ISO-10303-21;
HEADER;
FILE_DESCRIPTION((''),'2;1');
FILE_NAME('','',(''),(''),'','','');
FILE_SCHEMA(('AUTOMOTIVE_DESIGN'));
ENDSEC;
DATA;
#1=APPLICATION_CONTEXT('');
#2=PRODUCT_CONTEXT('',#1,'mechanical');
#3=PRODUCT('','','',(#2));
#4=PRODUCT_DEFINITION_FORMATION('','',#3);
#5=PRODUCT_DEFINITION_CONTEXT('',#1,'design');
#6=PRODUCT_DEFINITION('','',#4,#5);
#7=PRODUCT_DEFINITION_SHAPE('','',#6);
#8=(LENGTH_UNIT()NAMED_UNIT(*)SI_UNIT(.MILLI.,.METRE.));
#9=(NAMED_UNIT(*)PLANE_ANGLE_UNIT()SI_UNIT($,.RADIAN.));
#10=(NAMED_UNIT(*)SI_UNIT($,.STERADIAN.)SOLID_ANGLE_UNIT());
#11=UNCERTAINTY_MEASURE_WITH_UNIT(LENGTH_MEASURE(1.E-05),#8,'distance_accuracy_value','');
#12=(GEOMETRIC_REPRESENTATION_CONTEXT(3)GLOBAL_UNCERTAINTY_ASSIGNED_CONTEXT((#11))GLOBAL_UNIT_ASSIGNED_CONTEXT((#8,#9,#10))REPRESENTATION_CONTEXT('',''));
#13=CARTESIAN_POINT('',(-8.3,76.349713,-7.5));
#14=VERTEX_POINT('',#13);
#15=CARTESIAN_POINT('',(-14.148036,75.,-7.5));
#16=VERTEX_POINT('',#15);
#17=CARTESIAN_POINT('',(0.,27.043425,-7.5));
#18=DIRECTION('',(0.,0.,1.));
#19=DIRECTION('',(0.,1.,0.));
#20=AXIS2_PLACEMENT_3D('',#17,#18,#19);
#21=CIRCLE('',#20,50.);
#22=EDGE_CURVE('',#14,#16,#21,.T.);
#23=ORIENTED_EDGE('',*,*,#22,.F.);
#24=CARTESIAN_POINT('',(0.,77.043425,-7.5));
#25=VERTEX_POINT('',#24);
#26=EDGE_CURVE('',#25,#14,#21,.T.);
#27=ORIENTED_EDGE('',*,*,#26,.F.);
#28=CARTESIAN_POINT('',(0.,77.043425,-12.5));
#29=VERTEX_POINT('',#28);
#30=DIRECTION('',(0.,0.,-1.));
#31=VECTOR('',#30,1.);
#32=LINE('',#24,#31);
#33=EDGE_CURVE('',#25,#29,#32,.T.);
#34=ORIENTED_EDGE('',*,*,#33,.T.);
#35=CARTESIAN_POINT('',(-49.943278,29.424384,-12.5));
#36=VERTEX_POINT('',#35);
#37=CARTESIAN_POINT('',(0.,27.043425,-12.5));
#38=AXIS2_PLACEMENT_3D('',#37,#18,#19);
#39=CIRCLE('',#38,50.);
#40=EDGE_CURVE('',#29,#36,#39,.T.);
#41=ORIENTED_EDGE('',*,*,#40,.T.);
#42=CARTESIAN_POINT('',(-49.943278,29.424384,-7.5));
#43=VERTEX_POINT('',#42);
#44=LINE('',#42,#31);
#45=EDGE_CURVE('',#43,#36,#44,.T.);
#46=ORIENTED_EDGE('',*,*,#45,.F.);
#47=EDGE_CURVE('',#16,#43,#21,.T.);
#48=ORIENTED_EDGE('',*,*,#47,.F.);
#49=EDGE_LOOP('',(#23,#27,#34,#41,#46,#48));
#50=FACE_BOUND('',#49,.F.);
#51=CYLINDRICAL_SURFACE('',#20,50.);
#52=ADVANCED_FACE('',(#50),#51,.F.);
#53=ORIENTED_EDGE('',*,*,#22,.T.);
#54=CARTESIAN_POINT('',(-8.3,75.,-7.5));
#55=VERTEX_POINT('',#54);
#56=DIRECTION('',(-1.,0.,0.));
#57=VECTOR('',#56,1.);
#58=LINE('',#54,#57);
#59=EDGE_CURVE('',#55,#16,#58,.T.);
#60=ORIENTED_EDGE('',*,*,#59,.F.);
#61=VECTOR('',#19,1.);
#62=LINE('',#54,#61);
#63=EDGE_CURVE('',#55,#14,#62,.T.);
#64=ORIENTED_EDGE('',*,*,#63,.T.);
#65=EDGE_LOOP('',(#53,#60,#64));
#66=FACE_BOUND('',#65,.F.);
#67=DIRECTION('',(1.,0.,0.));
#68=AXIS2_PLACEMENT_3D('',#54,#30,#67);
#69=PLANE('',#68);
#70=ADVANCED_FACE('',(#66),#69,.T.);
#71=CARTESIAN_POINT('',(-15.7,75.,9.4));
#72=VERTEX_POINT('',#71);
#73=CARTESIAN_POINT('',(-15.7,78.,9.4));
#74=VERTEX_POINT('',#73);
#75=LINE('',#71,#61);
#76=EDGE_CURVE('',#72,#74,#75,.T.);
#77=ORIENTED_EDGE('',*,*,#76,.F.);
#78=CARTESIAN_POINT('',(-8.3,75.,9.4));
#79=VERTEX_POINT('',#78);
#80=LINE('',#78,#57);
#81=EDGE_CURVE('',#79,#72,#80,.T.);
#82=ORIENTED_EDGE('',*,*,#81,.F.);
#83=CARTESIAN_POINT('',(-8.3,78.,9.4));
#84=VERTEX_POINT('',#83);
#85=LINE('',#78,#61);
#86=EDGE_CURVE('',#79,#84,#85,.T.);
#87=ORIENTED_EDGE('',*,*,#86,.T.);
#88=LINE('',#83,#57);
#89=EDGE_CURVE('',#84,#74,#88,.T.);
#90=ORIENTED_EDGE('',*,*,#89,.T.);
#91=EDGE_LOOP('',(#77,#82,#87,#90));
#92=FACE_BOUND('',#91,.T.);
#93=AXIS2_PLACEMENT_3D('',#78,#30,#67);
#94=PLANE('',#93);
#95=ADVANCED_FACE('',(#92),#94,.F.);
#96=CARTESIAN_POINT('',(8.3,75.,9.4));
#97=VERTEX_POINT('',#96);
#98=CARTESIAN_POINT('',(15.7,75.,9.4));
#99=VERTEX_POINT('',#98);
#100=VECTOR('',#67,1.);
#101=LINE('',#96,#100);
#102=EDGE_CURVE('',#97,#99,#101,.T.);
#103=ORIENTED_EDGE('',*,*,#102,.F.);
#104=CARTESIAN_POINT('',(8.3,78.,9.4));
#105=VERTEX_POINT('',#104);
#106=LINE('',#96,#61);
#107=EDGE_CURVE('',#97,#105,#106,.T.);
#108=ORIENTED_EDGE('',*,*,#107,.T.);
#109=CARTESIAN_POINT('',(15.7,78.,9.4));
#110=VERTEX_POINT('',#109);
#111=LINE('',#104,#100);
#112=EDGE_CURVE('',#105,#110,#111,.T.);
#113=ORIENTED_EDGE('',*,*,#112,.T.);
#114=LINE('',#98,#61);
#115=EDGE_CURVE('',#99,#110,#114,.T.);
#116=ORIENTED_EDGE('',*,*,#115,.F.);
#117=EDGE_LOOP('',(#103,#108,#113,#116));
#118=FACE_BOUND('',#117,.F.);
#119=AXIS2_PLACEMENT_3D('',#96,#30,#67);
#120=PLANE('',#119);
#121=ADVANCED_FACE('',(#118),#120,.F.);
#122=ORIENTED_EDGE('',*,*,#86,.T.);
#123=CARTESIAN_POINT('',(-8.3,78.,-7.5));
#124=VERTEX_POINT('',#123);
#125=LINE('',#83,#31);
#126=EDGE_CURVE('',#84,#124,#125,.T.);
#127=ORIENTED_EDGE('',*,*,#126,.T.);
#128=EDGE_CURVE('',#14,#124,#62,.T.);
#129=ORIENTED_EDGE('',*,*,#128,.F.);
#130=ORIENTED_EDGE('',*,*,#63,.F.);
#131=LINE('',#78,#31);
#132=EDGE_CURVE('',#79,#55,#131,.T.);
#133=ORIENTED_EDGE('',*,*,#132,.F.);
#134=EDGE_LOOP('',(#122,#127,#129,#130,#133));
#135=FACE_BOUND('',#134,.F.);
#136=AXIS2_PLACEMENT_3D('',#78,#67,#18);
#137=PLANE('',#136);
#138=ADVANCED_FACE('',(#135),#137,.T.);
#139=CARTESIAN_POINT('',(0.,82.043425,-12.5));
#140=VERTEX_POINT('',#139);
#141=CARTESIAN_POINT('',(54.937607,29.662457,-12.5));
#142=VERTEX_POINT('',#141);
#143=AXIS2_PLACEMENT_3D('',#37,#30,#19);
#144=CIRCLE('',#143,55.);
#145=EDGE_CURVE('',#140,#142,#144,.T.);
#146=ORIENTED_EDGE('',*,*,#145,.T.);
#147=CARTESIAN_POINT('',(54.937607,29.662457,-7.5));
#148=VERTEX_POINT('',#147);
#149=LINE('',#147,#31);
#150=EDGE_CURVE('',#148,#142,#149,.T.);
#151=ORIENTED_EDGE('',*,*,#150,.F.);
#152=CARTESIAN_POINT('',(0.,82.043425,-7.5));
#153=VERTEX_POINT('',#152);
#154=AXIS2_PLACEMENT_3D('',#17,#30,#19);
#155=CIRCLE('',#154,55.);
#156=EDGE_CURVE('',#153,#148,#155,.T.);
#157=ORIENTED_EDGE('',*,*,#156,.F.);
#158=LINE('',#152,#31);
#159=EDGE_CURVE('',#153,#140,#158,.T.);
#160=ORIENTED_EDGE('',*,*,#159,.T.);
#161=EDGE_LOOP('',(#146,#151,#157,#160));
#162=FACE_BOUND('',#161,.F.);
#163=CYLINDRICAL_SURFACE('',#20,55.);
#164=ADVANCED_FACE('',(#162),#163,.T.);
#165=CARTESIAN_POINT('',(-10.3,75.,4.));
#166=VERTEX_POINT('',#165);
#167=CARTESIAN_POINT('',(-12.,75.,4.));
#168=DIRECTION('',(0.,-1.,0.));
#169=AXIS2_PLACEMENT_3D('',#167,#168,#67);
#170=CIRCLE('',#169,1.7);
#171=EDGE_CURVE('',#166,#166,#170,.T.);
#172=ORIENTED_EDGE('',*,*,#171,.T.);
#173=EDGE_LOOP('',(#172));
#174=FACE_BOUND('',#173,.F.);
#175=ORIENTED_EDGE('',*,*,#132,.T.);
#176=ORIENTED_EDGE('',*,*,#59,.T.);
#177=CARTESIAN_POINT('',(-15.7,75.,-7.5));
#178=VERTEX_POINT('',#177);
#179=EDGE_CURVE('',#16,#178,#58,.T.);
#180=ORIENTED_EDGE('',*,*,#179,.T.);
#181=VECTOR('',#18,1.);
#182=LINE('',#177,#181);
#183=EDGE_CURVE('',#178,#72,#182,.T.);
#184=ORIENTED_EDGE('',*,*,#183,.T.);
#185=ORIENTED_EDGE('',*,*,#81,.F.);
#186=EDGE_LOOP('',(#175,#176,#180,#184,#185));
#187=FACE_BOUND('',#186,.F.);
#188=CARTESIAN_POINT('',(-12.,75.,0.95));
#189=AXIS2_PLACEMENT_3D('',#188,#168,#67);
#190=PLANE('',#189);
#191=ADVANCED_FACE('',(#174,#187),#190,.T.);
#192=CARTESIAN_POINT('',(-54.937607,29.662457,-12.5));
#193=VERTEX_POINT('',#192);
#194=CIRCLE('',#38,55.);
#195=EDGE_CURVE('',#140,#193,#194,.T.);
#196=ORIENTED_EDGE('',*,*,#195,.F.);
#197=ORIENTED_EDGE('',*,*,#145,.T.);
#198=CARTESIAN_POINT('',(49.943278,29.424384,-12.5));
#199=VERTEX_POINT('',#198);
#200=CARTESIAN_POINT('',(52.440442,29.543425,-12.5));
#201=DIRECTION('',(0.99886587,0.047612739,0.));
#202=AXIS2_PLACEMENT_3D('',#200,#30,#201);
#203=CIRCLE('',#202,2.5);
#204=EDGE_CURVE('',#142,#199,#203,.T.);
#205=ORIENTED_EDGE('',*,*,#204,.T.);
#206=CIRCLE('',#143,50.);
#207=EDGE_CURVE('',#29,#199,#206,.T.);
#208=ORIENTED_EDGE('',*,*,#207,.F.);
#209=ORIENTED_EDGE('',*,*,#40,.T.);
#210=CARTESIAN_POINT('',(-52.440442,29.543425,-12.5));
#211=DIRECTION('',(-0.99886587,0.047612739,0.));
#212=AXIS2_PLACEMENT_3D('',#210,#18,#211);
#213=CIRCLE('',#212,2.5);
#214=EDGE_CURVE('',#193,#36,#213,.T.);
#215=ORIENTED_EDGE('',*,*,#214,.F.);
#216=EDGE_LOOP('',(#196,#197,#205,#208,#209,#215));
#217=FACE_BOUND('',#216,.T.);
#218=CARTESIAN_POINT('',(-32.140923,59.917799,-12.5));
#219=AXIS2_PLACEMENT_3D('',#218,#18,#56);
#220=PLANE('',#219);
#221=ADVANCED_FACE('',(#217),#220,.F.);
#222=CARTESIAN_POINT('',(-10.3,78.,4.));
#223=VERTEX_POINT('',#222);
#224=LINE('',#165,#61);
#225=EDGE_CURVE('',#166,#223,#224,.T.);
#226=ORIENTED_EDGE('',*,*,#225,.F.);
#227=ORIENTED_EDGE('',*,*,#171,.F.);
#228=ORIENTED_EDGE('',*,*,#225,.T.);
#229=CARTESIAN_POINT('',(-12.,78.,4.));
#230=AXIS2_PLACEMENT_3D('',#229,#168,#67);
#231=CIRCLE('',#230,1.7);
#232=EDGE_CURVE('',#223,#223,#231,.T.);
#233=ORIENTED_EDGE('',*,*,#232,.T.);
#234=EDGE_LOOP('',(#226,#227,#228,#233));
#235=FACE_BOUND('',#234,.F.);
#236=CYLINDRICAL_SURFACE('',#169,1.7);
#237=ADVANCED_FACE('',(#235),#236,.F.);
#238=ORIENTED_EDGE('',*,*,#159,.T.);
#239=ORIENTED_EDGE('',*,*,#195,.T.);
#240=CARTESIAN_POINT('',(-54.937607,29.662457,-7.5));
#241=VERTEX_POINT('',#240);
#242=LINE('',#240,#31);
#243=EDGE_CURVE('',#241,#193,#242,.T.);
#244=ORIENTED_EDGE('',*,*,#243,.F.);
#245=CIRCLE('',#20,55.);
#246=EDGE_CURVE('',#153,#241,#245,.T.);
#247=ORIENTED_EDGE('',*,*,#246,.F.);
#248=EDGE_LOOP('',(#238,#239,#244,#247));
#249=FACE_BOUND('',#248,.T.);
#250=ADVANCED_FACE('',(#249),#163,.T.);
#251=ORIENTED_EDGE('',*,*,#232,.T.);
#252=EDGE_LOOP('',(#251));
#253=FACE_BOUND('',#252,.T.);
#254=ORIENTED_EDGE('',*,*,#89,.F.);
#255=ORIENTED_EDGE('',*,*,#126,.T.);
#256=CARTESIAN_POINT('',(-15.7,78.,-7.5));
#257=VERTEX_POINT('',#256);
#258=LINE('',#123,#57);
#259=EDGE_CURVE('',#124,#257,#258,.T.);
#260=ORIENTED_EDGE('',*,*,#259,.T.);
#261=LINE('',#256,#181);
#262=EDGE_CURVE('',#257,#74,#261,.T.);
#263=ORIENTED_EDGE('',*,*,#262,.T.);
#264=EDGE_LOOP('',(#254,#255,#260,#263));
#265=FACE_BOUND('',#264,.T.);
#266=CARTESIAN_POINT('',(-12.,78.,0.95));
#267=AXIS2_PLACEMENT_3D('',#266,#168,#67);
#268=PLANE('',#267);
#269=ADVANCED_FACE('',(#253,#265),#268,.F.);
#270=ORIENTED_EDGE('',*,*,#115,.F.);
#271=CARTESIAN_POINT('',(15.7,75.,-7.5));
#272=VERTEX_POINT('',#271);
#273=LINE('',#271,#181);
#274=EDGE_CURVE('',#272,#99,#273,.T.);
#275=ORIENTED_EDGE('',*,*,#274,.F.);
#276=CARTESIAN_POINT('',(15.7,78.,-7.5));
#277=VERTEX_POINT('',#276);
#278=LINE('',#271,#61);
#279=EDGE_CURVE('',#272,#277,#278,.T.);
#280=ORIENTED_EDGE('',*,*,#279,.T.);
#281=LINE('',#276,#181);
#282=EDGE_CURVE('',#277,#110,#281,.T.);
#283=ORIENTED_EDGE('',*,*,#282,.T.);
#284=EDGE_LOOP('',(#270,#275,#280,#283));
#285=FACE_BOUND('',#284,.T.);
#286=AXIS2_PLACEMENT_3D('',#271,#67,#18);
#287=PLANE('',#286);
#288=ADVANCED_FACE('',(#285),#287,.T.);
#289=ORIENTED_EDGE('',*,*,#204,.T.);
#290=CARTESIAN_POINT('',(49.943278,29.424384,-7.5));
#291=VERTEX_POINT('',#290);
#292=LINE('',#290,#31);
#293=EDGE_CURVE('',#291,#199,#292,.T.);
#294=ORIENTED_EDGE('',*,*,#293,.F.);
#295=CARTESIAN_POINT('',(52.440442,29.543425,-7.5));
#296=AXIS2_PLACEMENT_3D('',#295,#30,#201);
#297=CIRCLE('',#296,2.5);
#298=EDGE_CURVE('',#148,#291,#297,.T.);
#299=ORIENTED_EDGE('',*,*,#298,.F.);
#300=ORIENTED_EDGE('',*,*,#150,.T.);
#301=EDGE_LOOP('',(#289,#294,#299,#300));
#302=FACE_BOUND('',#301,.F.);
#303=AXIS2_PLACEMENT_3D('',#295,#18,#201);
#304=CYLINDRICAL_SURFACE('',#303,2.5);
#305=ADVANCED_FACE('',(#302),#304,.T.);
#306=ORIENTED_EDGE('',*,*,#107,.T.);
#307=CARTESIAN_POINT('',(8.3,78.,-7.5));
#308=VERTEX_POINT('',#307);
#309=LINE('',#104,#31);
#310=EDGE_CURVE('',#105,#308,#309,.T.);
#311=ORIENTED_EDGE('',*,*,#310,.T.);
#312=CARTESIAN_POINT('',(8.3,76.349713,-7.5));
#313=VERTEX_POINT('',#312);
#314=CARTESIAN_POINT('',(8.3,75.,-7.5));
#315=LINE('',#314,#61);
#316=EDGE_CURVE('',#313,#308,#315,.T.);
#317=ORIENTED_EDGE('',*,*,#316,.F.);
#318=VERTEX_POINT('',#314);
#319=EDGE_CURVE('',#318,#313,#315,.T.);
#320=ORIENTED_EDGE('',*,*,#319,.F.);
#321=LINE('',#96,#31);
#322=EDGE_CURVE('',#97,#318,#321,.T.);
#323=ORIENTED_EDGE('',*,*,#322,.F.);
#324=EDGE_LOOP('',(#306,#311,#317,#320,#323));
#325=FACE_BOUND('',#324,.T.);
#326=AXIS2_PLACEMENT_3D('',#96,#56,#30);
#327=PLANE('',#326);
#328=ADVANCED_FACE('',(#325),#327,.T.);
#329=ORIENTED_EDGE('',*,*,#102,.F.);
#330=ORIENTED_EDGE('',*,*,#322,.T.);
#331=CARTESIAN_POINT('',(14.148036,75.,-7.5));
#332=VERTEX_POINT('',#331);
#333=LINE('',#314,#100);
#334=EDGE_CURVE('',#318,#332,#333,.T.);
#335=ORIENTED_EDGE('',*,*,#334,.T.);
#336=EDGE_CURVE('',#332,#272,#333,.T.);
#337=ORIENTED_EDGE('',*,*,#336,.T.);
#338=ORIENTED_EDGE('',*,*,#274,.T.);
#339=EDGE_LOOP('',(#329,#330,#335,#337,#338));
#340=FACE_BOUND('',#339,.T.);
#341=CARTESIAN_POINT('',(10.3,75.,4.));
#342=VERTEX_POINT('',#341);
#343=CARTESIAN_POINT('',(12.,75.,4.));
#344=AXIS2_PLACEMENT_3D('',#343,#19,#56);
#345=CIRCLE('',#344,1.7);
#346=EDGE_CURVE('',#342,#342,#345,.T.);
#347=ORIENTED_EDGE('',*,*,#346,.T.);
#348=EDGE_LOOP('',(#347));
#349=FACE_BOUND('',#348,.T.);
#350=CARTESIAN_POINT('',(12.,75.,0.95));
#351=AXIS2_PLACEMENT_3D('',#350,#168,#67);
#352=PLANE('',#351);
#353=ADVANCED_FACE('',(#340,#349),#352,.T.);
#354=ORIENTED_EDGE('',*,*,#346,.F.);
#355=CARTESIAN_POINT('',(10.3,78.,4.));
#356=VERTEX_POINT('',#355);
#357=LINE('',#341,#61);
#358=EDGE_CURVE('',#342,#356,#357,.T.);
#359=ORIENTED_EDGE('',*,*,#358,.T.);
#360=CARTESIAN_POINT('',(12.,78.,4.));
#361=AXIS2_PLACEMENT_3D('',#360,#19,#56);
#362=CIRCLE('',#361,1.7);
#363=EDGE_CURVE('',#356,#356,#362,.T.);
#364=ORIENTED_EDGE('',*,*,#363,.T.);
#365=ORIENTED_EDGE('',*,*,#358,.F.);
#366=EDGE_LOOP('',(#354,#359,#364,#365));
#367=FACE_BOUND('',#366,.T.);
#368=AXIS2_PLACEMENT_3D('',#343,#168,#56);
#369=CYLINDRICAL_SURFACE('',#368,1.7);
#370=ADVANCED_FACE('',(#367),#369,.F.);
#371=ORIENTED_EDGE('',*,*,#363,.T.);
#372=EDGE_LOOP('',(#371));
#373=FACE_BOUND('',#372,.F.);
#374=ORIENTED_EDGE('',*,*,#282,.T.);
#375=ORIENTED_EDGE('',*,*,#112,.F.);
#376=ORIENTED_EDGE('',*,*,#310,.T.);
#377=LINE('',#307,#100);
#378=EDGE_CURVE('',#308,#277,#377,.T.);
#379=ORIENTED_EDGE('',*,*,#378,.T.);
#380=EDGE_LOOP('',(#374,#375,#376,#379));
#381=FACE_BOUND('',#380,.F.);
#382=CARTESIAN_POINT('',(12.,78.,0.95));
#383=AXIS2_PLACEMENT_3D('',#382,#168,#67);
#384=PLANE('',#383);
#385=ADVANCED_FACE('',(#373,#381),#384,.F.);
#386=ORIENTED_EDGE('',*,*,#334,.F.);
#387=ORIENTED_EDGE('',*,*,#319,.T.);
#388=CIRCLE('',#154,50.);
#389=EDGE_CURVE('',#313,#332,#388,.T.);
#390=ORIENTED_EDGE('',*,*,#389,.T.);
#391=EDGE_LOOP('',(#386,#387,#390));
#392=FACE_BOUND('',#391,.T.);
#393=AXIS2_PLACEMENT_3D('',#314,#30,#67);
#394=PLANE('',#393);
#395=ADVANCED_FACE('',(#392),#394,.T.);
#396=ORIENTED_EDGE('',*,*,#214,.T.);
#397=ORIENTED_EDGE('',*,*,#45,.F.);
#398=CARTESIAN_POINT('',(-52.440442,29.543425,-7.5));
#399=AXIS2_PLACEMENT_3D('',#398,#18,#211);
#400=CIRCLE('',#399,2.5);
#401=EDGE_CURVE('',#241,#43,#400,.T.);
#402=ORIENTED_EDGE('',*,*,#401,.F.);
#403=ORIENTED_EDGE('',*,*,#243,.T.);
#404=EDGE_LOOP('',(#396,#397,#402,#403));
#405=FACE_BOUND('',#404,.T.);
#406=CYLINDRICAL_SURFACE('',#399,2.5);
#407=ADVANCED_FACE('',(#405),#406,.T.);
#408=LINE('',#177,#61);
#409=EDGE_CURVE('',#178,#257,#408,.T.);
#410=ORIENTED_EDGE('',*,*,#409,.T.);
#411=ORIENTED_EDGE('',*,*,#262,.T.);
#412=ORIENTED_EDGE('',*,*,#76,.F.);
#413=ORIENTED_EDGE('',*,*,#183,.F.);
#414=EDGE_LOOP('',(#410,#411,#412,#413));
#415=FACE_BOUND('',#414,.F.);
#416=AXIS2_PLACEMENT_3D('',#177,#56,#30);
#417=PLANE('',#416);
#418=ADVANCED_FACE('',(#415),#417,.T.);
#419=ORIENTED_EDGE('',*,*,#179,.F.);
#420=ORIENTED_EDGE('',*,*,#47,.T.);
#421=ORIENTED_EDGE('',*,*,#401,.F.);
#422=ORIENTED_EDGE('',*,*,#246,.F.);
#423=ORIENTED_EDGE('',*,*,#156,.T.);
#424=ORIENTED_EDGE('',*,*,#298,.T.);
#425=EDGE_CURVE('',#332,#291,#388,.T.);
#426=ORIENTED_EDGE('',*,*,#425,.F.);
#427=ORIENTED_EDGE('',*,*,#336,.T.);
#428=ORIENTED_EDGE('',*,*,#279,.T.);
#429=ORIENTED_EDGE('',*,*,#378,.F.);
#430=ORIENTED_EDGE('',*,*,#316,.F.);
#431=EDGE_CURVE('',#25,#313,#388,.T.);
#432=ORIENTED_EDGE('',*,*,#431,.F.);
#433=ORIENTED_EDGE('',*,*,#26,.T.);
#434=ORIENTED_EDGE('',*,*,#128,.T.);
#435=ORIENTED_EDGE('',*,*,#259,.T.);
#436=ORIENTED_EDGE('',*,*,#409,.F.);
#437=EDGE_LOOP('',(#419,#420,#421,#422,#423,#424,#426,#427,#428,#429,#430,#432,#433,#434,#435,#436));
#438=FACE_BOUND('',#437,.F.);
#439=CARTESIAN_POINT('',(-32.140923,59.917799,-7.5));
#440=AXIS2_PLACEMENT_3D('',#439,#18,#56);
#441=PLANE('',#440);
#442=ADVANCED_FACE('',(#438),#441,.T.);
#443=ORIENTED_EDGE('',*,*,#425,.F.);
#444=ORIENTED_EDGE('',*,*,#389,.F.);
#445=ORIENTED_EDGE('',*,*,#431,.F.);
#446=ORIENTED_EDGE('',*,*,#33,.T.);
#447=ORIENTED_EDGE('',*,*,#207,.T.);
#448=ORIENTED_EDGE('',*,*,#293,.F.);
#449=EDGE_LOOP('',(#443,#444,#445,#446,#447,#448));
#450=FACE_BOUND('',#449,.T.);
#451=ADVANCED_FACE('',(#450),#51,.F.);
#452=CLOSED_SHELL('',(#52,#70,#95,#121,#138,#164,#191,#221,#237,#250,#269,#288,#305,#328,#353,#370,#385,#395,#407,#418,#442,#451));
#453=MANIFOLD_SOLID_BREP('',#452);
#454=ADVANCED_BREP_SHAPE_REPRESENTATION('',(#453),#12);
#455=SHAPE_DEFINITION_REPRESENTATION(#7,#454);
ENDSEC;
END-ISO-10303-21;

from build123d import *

# Parameters (mm, degrees)
SKETCH023_R  = 1.7
PAD012_DEPTH = 3
PAD013_DEPTH = 5


with BuildPart() as part:
    # Sketch023 → Pad012 (new body)
    with BuildSketch(Plane(origin=(0, 75, 0), x_dir=(-1, 0, 0), z_dir=(0, 1, 0))):
        Polygon((-15.7, -7.5), (-15.7, 9.4), (-12, 9.4), (-8.3, 9.4), (-8.3, -7.5), align=None)
        with Locations((-12, 4)):
            Circle(SKETCH023_R, mode=Mode.SUBTRACT)
    pad012 = extrude(amount=PAD012_DEPTH)

    # Sketch025 (on Face5 of Pad012) → Pad013 (join)
    with BuildSketch(Plane(origin=(0, 0, -7.5), x_dir=(1, 0, 0), z_dir=(0, 0, -1))):
        with BuildLine():
            ThreePointArc((0, -77.043425), (34.5032756474, -63.2307704346), (49.943278179, -29.4243837841))
            ThreePointArc((54.9376070845, -29.6624568488), (52.5594789409, -27.0462605473), (49.943278179, -29.4243837841))
            ThreePointArc((0, -82.043425), (37.9536114771, -66.8494970976), (54.9376070845, -29.6624568488))
            Line((0, -77.043425), (0, -82.043425))
        make_face()
    pad013 = extrude(amount=PAD013_DEPTH)

    # Mirrored007: Pad013, Pad012 across Sketch025 V_Axis
    add(pad013.mirror(Plane(origin=(0, 0, -7.5), x_dir=(0, 0, -1), z_dir=(1, 0, 0))))
    add(pad012.mirror(Plane(origin=(0, 0, -7.5), x_dir=(0, 0, -1), z_dir=(1, 0, 0))))


solid = part.part
